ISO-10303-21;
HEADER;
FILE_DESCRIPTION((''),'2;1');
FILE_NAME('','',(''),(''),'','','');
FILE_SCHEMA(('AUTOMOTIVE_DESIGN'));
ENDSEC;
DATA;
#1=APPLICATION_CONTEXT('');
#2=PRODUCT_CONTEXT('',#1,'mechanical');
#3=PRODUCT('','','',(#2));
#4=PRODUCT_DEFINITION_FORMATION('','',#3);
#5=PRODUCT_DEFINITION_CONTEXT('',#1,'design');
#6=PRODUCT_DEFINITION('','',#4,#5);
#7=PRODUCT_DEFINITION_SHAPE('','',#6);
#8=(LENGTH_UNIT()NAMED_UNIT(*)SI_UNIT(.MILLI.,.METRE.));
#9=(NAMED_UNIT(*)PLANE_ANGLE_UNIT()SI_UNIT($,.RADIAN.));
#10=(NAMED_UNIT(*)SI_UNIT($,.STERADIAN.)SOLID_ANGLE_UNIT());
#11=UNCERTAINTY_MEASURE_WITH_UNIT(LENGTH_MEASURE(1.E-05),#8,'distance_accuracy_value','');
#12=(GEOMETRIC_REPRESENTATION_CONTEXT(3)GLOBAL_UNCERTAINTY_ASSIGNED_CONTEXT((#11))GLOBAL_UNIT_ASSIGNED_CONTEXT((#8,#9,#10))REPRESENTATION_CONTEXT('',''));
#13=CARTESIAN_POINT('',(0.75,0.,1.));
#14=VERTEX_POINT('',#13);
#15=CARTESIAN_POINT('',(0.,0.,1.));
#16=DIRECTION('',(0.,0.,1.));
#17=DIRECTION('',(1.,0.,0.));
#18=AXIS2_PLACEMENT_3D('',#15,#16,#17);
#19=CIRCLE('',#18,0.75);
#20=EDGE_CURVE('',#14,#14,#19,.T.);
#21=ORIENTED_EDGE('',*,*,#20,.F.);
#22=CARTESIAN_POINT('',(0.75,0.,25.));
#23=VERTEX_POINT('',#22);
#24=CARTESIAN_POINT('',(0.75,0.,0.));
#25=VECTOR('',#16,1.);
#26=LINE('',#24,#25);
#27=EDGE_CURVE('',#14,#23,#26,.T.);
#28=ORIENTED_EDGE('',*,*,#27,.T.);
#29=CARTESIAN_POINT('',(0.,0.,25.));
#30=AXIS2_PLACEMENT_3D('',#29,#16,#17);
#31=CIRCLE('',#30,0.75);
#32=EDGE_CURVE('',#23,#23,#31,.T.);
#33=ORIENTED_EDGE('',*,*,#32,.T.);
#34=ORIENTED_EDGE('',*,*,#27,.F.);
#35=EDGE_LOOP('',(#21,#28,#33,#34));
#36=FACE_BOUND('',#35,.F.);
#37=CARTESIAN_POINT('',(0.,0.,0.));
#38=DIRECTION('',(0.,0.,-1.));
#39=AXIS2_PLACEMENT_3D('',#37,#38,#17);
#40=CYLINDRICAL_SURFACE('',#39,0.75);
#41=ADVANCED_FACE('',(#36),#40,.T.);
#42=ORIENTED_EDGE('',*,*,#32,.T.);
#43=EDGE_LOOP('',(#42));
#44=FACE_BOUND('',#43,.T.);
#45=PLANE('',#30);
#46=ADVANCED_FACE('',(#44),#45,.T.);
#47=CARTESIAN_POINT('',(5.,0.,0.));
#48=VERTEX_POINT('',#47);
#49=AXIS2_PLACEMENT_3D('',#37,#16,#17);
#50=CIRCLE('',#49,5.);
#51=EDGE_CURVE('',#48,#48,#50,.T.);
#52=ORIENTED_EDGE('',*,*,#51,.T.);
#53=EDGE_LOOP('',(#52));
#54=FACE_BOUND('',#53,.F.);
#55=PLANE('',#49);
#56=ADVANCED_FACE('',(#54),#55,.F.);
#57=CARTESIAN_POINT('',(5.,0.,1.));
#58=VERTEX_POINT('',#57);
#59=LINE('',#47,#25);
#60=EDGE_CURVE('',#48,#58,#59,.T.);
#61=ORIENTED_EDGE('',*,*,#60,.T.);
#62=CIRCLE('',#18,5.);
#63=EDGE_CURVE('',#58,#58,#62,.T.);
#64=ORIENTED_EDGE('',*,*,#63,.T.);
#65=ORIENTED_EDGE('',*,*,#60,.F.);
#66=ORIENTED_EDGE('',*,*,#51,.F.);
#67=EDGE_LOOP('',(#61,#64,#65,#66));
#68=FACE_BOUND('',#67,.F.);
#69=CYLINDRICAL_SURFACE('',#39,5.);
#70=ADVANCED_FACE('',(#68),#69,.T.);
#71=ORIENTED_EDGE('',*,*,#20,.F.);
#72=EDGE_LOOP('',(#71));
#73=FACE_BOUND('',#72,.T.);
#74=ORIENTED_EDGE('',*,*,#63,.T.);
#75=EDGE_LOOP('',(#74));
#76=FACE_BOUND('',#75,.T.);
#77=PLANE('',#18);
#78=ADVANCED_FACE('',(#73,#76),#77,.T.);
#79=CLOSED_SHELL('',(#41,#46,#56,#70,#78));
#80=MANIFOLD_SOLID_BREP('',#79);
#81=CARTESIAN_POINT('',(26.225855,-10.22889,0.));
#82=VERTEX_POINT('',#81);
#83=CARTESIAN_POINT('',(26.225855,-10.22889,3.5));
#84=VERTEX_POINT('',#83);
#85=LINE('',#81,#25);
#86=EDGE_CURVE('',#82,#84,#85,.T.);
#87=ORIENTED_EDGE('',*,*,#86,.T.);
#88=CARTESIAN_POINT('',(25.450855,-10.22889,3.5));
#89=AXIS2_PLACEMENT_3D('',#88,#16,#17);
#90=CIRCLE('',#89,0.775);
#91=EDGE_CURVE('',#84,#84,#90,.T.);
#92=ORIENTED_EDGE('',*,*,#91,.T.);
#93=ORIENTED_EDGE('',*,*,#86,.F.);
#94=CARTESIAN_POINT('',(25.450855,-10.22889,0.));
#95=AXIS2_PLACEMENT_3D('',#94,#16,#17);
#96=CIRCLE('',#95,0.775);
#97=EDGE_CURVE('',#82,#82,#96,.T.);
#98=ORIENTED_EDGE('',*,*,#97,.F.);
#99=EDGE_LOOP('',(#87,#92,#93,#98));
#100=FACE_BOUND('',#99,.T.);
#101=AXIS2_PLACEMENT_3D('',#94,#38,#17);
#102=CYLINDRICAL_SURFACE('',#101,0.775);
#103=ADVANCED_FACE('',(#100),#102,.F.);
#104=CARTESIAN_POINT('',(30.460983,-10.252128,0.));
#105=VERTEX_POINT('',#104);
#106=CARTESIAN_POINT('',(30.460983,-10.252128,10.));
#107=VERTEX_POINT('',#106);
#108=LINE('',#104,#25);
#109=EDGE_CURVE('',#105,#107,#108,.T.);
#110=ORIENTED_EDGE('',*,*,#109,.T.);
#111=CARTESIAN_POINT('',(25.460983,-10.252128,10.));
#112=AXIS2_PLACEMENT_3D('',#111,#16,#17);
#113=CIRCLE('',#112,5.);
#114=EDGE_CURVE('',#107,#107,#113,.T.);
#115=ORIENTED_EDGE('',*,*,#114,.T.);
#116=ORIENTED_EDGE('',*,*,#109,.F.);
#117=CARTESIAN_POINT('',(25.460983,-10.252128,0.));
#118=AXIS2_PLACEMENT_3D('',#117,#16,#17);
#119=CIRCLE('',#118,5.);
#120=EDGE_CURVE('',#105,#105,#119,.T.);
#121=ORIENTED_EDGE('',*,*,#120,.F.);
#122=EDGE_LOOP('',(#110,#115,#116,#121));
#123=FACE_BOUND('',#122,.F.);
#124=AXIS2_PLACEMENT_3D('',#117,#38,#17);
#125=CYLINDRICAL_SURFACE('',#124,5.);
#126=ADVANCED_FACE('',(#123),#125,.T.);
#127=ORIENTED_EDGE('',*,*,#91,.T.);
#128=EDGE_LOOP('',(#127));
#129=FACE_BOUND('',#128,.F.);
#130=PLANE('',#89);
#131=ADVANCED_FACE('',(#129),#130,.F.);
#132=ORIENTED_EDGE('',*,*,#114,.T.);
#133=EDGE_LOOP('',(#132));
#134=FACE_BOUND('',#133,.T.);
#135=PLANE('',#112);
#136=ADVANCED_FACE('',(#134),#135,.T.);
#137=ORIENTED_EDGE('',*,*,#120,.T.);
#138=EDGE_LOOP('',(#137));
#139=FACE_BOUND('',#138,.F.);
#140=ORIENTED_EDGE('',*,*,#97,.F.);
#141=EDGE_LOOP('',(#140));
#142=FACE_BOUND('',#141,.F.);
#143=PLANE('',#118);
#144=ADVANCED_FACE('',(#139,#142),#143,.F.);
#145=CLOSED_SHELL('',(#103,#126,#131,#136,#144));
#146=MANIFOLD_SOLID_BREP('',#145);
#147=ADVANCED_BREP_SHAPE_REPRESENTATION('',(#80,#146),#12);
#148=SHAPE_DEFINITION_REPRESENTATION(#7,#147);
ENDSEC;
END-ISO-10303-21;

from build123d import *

# Parameters (mm, degrees)
F0_R     = 5
F0_R_2   = 0.75
F1_DEPTH = 1
F2_R     = 0.75
F3_DEPTH = 25
F4_R     = 5
F6_DEPTH = 10
F5_R     = 0.775
F7_DEPTH = 3.5


with BuildPart() as f1:
    # F0 (on Top) → F1 (new body)
    with BuildSketch(Plane.XY):
        Circle(F0_R)
        Circle(F0_R_2, mode=Mode.SUBTRACT)
    extrude(amount=F1_DEPTH)

    # F2 (on Top) → F3 (join)
    with BuildSketch(Plane.XY):
        Circle(F2_R)
    extrude(amount=F3_DEPTH)


with BuildPart() as f6:
    # F4 (on Top) → F6 (new body)
    with BuildSketch(Plane.XY):
        with Locations((25.460983, -10.252128)):
            Circle(F4_R)
    extrude(amount=F6_DEPTH)

    # F5 (on face) → F7 (cut)
    with BuildSketch(Plane.XY):
        with Locations((25.450855, -10.22889)):
            Circle(F5_R)
    extrude(amount=F7_DEPTH, mode=Mode.SUBTRACT)


solid = Compound([f1.part, f6.part])
